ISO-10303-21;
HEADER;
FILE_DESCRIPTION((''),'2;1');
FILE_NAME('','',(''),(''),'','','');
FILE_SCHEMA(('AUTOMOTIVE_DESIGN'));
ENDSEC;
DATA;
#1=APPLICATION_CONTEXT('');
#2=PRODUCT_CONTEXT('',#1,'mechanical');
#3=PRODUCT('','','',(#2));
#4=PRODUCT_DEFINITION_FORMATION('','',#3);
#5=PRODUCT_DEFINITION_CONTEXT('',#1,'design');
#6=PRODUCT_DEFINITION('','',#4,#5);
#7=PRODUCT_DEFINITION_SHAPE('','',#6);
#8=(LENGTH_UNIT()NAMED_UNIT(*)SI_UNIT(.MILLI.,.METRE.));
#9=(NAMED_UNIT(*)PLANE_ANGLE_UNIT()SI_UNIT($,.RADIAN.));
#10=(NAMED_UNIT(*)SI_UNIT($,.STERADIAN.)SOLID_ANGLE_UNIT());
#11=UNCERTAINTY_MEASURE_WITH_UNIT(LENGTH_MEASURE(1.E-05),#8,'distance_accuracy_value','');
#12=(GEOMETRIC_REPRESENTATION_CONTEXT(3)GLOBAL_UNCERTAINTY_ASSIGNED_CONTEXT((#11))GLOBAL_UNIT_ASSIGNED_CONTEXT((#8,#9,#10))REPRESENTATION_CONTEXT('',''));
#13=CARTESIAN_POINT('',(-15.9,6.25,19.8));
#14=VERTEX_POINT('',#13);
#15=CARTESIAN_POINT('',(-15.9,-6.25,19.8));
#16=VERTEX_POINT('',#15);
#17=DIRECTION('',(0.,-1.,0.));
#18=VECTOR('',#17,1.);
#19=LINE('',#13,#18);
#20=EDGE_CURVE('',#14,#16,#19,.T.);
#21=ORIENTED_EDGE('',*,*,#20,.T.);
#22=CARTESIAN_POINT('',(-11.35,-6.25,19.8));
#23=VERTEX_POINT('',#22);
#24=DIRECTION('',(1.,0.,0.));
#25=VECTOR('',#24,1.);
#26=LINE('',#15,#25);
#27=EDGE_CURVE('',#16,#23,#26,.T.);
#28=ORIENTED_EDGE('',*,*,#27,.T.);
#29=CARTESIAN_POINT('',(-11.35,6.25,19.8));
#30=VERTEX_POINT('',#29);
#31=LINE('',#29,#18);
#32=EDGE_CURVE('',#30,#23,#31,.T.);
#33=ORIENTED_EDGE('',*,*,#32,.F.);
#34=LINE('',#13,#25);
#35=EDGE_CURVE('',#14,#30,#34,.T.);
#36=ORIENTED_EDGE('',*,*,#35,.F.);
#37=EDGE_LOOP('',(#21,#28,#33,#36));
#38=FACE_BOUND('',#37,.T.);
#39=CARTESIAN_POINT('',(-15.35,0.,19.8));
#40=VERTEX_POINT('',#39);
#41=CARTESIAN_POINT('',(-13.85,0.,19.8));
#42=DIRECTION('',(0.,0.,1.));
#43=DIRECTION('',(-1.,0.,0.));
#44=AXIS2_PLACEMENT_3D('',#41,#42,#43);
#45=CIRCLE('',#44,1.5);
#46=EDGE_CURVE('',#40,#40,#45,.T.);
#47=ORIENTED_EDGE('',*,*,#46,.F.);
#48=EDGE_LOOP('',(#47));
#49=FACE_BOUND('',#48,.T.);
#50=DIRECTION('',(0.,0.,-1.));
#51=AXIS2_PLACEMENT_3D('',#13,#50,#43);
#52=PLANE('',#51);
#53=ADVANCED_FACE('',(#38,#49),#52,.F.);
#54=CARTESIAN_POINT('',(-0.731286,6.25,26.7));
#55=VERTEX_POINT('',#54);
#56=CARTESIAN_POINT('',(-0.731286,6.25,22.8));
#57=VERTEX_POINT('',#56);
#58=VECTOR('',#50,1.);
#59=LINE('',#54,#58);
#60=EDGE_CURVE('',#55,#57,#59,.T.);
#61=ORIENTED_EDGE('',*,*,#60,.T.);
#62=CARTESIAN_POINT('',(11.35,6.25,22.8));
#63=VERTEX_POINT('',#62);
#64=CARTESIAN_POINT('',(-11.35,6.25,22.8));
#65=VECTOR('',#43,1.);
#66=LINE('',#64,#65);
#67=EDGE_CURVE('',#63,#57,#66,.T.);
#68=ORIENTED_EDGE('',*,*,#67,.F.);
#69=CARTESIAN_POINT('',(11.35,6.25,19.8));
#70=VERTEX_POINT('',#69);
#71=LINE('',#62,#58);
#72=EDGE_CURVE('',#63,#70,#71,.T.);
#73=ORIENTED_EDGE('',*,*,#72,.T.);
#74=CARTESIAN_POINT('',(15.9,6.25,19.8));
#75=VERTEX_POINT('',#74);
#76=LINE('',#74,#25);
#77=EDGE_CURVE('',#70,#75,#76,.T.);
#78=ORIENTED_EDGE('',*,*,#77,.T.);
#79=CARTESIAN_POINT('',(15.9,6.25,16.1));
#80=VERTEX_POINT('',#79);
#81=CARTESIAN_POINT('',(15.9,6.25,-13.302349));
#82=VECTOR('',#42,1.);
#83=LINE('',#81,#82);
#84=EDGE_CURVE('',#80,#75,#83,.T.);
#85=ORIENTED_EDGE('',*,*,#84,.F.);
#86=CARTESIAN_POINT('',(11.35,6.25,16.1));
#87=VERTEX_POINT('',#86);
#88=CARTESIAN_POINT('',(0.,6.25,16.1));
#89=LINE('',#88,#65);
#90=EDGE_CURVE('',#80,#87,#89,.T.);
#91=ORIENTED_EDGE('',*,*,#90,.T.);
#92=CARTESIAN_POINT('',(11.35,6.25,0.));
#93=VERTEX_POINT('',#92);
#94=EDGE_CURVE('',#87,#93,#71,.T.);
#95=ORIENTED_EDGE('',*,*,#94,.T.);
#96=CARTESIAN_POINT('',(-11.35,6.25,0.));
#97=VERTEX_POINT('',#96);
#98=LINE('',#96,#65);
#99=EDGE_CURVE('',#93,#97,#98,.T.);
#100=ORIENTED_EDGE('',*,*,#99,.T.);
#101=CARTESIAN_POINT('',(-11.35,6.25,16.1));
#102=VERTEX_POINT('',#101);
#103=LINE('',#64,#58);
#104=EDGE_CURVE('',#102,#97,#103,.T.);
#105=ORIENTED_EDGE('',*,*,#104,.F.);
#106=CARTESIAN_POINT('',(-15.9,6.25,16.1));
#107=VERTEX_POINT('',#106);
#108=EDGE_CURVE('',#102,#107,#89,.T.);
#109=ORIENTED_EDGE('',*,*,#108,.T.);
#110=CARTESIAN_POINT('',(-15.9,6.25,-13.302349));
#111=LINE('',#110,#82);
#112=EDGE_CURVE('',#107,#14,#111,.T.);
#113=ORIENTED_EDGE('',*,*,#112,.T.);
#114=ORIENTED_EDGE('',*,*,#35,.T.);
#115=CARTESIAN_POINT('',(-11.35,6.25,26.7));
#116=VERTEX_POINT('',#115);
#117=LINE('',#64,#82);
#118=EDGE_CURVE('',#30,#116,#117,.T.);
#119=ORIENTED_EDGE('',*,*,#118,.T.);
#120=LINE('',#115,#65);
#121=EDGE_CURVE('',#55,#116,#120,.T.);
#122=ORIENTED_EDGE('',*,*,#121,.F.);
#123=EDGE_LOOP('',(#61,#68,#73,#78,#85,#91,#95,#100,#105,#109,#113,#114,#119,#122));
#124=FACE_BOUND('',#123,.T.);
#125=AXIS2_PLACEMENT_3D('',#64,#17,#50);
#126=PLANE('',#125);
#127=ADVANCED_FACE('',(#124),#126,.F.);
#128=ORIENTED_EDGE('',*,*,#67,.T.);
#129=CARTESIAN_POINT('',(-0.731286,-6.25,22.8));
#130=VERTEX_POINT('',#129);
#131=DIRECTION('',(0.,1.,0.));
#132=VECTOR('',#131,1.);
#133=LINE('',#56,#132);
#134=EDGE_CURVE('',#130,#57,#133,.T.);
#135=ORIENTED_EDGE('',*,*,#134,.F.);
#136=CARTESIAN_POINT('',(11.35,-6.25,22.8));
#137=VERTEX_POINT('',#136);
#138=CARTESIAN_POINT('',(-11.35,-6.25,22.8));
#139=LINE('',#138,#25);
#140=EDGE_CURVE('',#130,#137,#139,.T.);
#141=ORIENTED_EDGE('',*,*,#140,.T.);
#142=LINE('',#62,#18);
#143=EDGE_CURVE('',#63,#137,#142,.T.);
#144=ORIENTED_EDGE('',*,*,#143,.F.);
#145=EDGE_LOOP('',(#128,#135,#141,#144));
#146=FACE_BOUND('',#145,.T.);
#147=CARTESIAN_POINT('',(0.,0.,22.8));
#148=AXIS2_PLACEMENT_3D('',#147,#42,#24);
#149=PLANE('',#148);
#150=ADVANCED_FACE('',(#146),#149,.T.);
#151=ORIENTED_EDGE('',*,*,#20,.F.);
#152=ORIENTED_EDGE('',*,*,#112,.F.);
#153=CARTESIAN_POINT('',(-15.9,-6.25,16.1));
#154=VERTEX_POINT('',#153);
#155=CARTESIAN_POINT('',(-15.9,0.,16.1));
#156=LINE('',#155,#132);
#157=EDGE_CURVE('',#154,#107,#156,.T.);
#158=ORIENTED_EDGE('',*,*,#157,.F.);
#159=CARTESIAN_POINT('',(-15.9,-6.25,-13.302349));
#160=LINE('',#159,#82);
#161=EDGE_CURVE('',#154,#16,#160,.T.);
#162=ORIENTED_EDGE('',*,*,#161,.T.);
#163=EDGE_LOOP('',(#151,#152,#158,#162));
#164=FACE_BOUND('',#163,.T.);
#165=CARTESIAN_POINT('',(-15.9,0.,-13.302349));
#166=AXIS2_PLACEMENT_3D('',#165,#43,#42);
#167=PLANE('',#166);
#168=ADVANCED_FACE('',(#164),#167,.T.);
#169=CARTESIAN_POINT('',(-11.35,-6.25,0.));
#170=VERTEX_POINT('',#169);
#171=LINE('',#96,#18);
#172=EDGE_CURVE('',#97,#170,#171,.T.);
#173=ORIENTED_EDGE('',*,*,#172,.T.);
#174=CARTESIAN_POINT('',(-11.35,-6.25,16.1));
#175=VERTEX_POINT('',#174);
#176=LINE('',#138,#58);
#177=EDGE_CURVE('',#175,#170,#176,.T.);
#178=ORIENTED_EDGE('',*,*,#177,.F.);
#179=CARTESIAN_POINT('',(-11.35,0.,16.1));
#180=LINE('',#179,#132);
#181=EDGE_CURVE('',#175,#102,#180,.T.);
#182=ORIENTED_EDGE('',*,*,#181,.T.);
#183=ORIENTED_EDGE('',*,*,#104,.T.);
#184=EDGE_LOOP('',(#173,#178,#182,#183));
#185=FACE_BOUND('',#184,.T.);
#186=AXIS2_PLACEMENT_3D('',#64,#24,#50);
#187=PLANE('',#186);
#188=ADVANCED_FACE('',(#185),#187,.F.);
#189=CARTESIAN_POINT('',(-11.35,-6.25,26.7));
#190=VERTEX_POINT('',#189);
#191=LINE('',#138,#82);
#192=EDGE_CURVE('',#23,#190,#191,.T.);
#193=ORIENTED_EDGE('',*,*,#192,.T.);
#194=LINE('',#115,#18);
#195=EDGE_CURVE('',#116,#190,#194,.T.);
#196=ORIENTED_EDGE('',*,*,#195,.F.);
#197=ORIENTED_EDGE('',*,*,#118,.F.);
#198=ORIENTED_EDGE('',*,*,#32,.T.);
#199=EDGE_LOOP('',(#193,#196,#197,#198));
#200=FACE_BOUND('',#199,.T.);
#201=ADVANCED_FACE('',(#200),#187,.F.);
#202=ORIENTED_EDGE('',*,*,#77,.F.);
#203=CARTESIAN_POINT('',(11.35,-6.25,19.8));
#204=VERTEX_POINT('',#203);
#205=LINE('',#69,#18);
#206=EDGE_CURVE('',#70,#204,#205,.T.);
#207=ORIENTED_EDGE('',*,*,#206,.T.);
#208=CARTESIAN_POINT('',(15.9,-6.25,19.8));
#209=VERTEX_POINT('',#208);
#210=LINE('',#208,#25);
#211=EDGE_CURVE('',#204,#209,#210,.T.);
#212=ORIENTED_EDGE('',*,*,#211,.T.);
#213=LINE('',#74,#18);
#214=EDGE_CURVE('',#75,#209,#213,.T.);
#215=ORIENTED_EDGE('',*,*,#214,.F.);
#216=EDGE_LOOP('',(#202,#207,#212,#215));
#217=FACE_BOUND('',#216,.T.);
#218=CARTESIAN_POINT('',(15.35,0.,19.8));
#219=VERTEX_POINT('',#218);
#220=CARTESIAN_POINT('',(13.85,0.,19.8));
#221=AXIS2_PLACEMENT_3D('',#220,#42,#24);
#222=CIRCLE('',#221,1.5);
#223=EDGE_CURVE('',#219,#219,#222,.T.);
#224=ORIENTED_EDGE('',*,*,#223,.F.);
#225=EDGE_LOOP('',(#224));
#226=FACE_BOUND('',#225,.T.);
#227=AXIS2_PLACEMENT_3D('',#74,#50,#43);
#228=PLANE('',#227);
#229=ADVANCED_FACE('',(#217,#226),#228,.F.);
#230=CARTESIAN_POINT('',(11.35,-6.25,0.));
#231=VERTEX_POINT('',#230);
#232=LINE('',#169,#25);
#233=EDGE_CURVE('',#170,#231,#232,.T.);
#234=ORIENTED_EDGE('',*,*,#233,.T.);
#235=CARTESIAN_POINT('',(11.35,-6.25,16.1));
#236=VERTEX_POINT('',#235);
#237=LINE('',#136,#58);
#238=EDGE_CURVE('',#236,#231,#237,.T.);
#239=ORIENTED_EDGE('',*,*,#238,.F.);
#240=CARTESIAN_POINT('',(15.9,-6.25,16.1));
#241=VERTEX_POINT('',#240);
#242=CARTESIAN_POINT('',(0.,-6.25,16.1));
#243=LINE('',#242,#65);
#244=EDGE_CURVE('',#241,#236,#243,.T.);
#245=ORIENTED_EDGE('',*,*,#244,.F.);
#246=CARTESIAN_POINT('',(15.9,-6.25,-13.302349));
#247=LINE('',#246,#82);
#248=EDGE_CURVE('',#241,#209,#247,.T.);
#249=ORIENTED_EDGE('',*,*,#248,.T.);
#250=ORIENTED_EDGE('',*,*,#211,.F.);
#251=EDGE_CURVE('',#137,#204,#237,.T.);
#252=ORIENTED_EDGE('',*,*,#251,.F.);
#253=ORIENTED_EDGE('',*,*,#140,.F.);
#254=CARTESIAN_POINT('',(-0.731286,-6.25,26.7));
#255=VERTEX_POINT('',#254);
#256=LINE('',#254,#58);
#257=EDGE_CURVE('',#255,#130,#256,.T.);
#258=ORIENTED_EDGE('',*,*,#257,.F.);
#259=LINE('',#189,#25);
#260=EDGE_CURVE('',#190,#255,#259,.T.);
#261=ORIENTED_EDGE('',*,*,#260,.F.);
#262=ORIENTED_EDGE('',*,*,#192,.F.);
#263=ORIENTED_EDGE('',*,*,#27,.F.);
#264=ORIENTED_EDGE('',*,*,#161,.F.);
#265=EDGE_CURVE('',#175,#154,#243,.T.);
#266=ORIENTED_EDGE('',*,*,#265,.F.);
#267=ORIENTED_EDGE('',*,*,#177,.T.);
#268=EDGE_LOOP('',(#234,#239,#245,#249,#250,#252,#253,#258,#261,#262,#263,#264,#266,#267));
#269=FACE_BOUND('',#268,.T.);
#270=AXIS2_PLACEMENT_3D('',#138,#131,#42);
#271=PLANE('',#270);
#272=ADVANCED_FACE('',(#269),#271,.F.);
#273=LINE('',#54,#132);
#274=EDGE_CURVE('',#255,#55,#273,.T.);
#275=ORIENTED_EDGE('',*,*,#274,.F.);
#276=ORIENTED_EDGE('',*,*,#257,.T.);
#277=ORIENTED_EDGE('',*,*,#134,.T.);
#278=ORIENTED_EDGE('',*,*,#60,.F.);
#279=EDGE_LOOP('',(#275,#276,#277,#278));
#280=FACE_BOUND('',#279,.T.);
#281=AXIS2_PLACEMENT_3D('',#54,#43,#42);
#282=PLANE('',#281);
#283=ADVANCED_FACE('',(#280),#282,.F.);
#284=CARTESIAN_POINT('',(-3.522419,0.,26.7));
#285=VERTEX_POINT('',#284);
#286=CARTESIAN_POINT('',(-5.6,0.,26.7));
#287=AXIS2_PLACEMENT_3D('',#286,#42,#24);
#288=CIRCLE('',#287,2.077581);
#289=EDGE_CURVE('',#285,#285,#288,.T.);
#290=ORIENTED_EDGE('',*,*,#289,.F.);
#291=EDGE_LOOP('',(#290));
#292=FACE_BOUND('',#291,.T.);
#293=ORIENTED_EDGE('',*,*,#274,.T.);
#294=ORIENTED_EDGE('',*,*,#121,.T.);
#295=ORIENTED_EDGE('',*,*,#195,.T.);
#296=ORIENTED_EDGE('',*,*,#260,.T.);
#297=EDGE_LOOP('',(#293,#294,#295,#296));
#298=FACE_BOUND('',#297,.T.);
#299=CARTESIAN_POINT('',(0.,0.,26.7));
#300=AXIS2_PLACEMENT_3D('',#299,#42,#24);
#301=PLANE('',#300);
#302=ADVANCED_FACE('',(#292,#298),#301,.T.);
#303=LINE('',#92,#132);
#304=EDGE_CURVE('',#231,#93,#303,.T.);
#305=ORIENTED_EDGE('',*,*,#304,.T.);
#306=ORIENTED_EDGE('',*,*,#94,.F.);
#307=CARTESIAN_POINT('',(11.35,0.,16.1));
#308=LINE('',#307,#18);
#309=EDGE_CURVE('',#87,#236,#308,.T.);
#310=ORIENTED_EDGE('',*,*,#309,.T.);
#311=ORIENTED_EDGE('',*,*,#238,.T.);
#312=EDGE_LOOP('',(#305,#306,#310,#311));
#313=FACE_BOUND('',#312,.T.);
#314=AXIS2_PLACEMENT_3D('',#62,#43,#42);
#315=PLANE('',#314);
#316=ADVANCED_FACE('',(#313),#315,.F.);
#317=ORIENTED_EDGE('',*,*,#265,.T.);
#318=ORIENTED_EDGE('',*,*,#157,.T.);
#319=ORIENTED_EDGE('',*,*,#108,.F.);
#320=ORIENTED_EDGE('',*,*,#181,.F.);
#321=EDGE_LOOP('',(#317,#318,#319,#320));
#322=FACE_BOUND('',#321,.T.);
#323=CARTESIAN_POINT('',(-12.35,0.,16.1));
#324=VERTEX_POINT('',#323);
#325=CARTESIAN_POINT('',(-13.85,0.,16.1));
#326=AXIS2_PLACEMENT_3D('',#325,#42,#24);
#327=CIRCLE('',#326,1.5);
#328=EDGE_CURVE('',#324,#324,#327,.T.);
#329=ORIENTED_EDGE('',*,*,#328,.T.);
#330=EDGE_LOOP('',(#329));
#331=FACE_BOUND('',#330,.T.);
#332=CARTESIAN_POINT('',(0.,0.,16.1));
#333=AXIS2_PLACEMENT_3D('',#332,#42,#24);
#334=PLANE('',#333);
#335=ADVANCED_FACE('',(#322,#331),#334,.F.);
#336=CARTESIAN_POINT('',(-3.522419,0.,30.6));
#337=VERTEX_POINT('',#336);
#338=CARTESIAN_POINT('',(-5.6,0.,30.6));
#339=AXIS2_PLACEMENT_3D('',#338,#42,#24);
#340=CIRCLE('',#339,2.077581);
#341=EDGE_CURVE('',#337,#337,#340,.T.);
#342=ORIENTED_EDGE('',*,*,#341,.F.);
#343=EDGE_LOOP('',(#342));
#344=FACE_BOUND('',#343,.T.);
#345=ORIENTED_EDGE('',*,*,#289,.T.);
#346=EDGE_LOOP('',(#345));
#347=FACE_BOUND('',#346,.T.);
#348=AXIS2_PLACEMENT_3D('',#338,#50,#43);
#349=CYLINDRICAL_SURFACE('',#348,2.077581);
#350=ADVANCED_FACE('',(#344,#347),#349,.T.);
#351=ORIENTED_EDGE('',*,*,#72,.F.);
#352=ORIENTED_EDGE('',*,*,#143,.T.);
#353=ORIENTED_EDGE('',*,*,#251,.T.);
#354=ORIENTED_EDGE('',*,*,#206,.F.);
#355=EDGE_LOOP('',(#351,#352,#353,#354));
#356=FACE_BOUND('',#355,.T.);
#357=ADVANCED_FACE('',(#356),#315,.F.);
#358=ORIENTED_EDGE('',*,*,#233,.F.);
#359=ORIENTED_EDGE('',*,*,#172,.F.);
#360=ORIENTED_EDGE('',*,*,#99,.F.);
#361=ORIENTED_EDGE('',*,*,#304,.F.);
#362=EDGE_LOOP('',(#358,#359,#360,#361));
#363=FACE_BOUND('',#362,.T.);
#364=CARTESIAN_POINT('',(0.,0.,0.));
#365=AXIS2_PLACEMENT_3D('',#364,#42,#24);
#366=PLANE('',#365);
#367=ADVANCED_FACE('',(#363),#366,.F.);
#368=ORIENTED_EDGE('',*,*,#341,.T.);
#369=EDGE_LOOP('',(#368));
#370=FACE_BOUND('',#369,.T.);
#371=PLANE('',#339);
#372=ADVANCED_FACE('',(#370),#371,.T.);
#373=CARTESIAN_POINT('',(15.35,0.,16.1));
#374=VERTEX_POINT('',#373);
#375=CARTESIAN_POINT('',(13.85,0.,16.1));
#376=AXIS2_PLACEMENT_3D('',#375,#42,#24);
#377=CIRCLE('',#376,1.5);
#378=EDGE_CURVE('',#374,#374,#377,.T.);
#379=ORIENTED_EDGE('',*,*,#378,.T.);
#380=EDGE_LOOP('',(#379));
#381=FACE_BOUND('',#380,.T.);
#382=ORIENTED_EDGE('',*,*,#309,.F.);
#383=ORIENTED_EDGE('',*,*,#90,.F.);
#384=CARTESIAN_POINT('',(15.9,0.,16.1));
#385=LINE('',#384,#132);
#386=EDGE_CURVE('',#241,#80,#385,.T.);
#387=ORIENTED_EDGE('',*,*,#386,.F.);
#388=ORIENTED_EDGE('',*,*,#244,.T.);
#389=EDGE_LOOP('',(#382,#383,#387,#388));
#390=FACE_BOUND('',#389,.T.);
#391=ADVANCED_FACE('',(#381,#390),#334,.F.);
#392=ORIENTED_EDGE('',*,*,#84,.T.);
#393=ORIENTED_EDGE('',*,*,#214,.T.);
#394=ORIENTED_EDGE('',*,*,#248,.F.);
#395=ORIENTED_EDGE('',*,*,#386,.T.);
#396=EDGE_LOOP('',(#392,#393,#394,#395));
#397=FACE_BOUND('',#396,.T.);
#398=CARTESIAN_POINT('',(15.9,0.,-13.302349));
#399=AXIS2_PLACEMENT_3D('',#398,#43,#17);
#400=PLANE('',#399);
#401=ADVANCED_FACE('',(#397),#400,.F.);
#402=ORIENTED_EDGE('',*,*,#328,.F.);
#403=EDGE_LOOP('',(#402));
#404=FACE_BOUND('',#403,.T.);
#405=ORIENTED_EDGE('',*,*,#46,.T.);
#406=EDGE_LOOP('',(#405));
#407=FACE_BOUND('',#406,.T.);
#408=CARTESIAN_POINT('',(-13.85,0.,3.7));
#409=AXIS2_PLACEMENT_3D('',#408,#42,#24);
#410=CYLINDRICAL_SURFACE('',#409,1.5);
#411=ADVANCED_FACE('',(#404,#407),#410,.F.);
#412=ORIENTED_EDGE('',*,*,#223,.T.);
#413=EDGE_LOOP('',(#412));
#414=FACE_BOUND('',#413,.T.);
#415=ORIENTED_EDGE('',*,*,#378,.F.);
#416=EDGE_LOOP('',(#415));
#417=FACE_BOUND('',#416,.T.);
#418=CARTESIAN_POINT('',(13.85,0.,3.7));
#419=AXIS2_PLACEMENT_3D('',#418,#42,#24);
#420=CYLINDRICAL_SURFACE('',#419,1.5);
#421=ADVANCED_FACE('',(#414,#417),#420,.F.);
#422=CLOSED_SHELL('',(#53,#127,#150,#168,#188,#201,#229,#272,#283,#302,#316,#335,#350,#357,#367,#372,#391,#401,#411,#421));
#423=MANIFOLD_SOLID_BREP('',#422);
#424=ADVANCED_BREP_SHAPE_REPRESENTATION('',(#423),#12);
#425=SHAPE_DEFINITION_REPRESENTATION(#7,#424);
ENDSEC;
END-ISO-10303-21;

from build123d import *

# Parameters (mm, degrees)
SKETCH1_W           = 22.7
SKETCH1_H           = 12.5
BOSS_EXTRUDE1_DEPTH = 22.8
SKETCH2_W           = 4.55
SKETCH2_H           = 12.5
BOSS_EXTRUDE2_DEPTH = 6.7
SKETCH3_W           = 4.55
SKETCH3_H           = 3
CUT_EXTRUDE1_DEPTH  = 13.5
SKETCH4_R           = 1.5
CUT_EXTRUDE2_DEPTH  = 16.1
SKETCH6_W           = 10.618713929
SKETCH6_H           = 12.5
BOSS_EXTRUDE4_DEPTH = 3.9
SKETCH8_R           = 2.077581334
BOSS_EXTRUDE5_DEPTH = 3.9


with BuildPart() as part:
    # Sketch1 → Boss-Extrude1 (new body)
    with BuildSketch(Plane.XY):
        Rectangle(SKETCH1_W, SKETCH1_H)
    extrude(amount=BOSS_EXTRUDE1_DEPTH)

    # Sketch2 → Boss-Extrude2 (add)
    with BuildSketch(Plane.XY.offset(22.8)):
        with Locations((-13.625, 0)):
            Rectangle(SKETCH2_W, SKETCH2_H)
        with Locations((13.625, 0)):
            Rectangle(SKETCH2_W, SKETCH2_H)
    extrude(amount=-BOSS_EXTRUDE2_DEPTH)

    # Sketch3 → Cut-Extrude1 (cut, through all)
    with BuildSketch(Plane.XZ.offset(6.25)):
        with Locations((-13.625, 21.3)):
            Rectangle(SKETCH3_W, SKETCH3_H)
        with Locations((13.625, 21.3)):
            Rectangle(SKETCH3_W, SKETCH3_H)
    extrude(amount=-CUT_EXTRUDE1_DEPTH, mode=Mode.SUBTRACT)

    # Sketch4 → Cut-Extrude2 (cut)
    with BuildSketch(Plane.XY.offset(19.8)):
        with Locations((13.85, 0)):
            Circle(SKETCH4_R)
        with Locations((-13.85, 0)):
            Circle(SKETCH4_R)
    extrude(amount=-CUT_EXTRUDE2_DEPTH, mode=Mode.SUBTRACT)

    # Sketch6 → Boss-Extrude4 (add)
    with BuildSketch(Plane.XY.offset(22.8)):
        with Locations((-6.040643036, 0)):
            Rectangle(SKETCH6_W, SKETCH6_H)
    extrude(amount=BOSS_EXTRUDE4_DEPTH)

    # Sketch8 → Boss-Extrude5 (add)
    with BuildSketch(Plane.XY.offset(26.7)):
        with Locations((-5.6, 0)):
            Circle(SKETCH8_R)
    extrude(amount=BOSS_EXTRUDE5_DEPTH)


solid = part.part
